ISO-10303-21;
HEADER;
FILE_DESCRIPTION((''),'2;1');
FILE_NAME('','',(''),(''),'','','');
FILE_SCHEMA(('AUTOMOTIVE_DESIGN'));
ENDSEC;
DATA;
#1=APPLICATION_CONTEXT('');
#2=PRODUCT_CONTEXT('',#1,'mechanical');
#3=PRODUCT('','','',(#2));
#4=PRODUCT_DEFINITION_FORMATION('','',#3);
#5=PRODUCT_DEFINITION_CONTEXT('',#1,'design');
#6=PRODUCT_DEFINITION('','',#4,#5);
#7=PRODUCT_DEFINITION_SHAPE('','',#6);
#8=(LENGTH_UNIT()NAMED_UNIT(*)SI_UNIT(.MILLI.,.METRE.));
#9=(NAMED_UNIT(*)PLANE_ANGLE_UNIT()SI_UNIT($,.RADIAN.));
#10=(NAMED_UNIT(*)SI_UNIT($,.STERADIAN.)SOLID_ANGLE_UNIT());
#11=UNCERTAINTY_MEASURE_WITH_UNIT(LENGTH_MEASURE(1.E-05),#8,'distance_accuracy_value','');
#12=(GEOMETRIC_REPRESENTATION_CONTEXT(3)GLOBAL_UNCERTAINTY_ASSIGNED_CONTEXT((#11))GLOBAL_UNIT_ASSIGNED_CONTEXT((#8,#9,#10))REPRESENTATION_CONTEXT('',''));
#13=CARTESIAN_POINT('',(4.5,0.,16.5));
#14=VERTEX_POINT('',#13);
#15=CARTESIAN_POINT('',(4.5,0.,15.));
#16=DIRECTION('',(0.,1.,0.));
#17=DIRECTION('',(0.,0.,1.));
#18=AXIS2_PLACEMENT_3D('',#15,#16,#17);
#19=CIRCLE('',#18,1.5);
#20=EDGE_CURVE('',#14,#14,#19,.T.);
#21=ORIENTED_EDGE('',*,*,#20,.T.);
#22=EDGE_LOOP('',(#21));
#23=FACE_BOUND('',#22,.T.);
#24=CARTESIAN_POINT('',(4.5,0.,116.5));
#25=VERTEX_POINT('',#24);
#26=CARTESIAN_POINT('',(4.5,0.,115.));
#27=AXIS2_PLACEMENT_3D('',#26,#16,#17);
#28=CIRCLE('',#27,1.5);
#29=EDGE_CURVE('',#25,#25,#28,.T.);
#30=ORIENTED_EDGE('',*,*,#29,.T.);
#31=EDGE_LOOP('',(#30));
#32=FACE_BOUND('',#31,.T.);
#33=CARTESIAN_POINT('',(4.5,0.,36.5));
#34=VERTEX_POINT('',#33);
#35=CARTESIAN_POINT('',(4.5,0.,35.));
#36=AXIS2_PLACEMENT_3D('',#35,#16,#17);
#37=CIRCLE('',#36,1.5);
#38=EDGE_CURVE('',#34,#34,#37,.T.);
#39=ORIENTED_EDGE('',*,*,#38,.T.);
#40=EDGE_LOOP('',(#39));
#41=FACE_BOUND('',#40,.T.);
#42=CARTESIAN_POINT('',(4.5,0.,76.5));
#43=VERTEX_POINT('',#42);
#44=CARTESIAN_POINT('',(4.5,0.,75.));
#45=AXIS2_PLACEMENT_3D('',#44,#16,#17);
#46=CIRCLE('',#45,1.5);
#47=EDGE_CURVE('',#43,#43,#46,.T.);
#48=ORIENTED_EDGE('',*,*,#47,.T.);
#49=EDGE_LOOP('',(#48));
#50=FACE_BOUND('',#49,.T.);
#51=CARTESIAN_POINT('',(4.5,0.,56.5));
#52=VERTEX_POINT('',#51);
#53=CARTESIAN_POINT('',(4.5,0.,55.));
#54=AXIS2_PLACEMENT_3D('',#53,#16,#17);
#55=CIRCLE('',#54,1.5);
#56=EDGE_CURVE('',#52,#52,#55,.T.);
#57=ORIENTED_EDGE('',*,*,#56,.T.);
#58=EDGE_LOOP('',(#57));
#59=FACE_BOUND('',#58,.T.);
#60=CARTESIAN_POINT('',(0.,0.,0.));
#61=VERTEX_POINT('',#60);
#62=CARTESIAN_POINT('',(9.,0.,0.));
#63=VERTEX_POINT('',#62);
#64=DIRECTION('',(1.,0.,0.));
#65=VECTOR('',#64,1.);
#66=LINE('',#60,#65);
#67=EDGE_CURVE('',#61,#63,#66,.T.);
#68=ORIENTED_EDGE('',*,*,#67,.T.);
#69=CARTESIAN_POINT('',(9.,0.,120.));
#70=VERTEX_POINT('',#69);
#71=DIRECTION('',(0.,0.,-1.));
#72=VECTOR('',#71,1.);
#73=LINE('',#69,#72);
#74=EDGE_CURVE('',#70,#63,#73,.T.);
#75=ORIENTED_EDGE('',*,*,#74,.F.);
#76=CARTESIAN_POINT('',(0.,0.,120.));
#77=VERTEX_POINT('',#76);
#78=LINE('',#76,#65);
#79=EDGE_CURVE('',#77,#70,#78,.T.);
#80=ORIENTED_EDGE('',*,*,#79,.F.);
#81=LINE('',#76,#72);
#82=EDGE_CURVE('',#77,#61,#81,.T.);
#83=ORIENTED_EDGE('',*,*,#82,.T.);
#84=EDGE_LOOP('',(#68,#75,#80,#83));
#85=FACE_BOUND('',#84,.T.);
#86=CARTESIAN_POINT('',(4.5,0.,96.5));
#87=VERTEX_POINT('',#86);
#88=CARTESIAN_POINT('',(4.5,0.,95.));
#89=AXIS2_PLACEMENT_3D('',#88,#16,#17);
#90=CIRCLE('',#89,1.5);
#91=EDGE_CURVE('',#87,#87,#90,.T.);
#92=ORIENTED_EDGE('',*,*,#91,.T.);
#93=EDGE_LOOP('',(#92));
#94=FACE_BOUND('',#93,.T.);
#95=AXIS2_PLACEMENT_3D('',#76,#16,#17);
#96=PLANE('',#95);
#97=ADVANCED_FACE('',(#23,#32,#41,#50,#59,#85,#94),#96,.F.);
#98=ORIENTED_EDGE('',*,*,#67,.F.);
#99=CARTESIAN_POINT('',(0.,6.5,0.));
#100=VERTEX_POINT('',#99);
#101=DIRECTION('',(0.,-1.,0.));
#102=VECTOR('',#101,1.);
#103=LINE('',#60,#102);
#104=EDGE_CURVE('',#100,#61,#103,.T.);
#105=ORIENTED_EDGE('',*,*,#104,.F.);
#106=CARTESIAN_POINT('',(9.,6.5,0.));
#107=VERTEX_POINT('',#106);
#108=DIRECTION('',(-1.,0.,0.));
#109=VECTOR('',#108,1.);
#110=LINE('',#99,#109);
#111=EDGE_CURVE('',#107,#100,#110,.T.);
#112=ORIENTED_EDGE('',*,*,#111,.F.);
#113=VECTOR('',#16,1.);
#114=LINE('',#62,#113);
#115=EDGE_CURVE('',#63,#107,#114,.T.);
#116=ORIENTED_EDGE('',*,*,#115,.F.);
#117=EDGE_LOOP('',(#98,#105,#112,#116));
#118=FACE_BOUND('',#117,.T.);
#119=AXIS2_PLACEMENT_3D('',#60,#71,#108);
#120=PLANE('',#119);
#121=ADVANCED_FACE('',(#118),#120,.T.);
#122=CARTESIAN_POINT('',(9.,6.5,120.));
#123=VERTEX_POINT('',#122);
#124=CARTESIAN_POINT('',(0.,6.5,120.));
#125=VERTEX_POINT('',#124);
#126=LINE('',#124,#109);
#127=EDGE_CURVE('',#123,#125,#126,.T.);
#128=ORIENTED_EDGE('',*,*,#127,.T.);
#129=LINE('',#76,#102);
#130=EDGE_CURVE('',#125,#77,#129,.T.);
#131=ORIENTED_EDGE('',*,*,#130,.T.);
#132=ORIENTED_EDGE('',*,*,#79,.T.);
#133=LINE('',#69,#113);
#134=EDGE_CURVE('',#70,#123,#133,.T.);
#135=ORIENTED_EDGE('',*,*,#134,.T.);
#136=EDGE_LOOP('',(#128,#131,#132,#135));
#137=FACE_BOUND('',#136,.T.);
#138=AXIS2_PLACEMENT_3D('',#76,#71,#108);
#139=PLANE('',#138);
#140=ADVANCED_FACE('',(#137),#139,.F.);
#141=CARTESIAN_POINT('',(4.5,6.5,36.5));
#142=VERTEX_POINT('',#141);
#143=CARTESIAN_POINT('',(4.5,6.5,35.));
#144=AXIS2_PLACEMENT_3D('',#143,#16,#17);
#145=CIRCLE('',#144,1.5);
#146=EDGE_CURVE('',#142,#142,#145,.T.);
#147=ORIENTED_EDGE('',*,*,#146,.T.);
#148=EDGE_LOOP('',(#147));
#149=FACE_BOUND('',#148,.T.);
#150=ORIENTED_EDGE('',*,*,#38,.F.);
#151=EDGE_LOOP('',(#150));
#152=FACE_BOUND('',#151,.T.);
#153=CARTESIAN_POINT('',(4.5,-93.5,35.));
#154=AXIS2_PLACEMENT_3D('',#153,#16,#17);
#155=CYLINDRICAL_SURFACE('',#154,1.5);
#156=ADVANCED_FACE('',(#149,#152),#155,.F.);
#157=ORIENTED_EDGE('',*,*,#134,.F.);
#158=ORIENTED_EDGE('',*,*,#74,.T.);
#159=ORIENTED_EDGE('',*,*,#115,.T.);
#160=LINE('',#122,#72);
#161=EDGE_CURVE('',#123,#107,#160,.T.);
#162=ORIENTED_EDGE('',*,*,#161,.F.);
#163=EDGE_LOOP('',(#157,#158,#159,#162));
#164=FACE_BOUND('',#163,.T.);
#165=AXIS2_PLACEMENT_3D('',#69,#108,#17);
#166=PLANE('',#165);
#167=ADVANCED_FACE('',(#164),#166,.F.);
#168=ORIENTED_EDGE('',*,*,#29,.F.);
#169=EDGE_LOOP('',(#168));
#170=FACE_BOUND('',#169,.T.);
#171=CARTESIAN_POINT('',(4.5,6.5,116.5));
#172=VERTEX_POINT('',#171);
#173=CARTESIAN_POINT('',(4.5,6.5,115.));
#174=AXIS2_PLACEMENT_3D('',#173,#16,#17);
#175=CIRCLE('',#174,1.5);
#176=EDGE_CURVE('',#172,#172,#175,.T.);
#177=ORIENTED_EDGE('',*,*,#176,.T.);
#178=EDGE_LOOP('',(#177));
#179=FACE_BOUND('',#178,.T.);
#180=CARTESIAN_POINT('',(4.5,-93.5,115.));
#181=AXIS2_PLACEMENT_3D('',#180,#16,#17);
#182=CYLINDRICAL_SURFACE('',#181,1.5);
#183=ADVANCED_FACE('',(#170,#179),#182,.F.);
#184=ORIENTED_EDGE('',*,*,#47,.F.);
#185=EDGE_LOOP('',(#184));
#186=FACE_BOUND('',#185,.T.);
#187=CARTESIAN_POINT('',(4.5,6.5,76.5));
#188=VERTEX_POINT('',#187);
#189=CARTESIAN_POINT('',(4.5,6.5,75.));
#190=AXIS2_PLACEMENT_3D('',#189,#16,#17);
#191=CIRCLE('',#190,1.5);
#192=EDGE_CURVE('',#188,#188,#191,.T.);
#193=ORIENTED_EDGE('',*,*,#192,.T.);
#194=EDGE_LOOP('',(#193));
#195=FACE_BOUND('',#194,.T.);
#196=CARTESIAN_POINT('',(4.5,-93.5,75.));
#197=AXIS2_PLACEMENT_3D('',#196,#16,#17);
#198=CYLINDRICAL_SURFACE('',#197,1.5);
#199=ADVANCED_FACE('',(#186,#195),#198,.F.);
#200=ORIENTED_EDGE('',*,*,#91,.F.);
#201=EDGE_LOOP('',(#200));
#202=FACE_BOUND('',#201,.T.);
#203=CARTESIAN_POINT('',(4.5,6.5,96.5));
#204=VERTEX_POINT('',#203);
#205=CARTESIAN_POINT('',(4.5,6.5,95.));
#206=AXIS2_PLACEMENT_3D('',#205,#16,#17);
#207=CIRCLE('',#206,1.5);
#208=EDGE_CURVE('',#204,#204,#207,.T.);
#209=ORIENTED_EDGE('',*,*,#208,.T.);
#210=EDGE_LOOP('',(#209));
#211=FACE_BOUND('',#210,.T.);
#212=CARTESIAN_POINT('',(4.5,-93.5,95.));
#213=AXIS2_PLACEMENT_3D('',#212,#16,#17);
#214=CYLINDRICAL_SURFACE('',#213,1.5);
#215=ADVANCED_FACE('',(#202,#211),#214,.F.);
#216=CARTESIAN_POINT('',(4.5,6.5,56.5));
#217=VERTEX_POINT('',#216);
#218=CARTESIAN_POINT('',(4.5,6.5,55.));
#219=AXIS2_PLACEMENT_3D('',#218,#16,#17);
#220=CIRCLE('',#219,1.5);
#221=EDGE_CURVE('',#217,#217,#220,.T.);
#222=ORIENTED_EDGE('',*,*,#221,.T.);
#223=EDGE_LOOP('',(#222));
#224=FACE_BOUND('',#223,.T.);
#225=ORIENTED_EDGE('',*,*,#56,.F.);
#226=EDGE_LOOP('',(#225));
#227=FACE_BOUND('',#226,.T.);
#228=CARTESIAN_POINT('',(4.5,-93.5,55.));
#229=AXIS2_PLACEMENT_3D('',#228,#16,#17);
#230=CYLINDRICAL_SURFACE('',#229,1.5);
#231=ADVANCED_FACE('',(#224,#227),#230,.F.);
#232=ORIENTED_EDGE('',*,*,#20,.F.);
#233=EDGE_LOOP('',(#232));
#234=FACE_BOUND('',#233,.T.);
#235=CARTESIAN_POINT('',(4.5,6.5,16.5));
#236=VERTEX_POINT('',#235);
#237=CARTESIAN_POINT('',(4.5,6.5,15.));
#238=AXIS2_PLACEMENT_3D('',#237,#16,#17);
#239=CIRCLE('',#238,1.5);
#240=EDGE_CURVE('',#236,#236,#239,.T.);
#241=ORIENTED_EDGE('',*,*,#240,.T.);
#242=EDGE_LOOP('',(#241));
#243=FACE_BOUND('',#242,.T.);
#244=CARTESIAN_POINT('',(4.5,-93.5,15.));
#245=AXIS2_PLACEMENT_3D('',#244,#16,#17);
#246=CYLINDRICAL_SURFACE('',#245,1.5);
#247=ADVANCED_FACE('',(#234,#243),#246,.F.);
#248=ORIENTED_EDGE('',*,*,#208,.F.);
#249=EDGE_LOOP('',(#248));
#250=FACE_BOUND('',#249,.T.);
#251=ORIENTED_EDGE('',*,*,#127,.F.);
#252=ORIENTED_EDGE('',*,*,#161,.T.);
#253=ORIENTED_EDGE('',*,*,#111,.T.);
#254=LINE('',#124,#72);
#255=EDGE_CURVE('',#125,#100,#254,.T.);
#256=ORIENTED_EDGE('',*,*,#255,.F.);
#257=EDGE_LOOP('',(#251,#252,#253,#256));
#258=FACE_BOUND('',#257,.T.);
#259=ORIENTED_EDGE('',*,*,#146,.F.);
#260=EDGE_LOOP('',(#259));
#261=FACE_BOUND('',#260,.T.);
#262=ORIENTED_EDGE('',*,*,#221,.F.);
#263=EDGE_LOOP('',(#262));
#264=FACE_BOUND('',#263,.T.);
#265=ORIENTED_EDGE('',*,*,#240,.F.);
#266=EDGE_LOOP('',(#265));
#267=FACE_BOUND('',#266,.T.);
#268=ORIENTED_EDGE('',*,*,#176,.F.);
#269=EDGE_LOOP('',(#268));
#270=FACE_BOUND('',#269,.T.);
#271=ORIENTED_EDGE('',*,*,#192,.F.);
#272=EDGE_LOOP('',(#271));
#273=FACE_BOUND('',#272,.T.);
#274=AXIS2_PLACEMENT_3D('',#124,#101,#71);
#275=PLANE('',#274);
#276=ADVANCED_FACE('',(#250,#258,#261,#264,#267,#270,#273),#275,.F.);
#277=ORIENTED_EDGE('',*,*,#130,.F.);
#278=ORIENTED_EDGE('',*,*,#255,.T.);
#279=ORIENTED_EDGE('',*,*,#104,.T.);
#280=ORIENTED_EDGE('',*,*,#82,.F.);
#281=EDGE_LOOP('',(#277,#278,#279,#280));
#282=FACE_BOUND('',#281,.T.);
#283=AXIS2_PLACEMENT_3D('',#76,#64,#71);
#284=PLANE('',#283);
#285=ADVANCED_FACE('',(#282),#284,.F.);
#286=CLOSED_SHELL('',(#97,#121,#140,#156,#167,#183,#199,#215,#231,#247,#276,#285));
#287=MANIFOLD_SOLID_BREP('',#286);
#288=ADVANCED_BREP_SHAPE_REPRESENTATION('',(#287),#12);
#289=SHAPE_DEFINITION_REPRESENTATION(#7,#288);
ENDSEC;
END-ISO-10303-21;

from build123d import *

# Parameters (mm, degrees)
SKETCH_1_W          = 9
SKETCH_1_H          = 6.5
EXTRUDE_1_DEPTH     = 120
SKETCH_2_R          = 1.5
CUT_EXTRUDE_1_DEPTH = 100


with BuildPart() as part:
    # 草图1 → 凸台-拉伸1 (new body)
    with BuildSketch(Plane.XY):
        with Locations((4.5, 3.25)):
            Rectangle(SKETCH_1_W, SKETCH_1_H)
    extrude(amount=EXTRUDE_1_DEPTH)

    # 草图2 → 切除-拉伸1 (cut)
    with BuildSketch(Plane(origin=(0, 6.5, 0), x_dir=(1, 0, 0), z_dir=(0, 1, 0))):
        with Locations(Location((4.5, -115, 0), (0, 0, 270))):
            Circle(SKETCH_2_R)
        with Locations(Location((4.5, -95, 0), (0, 0, 270))):
            Circle(SKETCH_2_R)
        with Locations(Location((4.5, -75, 0), (0, 0, 270))):
            Circle(SKETCH_2_R)
        with Locations(Location((4.5, -55, 0), (0, 0, 270))):
            Circle(SKETCH_2_R)
        with Locations(Location((4.5, -35, 0), (0, 0, 270))):
            Circle(SKETCH_2_R)
        with Locations(Location((4.5, -15, 0), (0, 0, 270))):
            Circle(SKETCH_2_R)
    extrude(amount=-CUT_EXTRUDE_1_DEPTH, mode=Mode.SUBTRACT)


solid = part.part
